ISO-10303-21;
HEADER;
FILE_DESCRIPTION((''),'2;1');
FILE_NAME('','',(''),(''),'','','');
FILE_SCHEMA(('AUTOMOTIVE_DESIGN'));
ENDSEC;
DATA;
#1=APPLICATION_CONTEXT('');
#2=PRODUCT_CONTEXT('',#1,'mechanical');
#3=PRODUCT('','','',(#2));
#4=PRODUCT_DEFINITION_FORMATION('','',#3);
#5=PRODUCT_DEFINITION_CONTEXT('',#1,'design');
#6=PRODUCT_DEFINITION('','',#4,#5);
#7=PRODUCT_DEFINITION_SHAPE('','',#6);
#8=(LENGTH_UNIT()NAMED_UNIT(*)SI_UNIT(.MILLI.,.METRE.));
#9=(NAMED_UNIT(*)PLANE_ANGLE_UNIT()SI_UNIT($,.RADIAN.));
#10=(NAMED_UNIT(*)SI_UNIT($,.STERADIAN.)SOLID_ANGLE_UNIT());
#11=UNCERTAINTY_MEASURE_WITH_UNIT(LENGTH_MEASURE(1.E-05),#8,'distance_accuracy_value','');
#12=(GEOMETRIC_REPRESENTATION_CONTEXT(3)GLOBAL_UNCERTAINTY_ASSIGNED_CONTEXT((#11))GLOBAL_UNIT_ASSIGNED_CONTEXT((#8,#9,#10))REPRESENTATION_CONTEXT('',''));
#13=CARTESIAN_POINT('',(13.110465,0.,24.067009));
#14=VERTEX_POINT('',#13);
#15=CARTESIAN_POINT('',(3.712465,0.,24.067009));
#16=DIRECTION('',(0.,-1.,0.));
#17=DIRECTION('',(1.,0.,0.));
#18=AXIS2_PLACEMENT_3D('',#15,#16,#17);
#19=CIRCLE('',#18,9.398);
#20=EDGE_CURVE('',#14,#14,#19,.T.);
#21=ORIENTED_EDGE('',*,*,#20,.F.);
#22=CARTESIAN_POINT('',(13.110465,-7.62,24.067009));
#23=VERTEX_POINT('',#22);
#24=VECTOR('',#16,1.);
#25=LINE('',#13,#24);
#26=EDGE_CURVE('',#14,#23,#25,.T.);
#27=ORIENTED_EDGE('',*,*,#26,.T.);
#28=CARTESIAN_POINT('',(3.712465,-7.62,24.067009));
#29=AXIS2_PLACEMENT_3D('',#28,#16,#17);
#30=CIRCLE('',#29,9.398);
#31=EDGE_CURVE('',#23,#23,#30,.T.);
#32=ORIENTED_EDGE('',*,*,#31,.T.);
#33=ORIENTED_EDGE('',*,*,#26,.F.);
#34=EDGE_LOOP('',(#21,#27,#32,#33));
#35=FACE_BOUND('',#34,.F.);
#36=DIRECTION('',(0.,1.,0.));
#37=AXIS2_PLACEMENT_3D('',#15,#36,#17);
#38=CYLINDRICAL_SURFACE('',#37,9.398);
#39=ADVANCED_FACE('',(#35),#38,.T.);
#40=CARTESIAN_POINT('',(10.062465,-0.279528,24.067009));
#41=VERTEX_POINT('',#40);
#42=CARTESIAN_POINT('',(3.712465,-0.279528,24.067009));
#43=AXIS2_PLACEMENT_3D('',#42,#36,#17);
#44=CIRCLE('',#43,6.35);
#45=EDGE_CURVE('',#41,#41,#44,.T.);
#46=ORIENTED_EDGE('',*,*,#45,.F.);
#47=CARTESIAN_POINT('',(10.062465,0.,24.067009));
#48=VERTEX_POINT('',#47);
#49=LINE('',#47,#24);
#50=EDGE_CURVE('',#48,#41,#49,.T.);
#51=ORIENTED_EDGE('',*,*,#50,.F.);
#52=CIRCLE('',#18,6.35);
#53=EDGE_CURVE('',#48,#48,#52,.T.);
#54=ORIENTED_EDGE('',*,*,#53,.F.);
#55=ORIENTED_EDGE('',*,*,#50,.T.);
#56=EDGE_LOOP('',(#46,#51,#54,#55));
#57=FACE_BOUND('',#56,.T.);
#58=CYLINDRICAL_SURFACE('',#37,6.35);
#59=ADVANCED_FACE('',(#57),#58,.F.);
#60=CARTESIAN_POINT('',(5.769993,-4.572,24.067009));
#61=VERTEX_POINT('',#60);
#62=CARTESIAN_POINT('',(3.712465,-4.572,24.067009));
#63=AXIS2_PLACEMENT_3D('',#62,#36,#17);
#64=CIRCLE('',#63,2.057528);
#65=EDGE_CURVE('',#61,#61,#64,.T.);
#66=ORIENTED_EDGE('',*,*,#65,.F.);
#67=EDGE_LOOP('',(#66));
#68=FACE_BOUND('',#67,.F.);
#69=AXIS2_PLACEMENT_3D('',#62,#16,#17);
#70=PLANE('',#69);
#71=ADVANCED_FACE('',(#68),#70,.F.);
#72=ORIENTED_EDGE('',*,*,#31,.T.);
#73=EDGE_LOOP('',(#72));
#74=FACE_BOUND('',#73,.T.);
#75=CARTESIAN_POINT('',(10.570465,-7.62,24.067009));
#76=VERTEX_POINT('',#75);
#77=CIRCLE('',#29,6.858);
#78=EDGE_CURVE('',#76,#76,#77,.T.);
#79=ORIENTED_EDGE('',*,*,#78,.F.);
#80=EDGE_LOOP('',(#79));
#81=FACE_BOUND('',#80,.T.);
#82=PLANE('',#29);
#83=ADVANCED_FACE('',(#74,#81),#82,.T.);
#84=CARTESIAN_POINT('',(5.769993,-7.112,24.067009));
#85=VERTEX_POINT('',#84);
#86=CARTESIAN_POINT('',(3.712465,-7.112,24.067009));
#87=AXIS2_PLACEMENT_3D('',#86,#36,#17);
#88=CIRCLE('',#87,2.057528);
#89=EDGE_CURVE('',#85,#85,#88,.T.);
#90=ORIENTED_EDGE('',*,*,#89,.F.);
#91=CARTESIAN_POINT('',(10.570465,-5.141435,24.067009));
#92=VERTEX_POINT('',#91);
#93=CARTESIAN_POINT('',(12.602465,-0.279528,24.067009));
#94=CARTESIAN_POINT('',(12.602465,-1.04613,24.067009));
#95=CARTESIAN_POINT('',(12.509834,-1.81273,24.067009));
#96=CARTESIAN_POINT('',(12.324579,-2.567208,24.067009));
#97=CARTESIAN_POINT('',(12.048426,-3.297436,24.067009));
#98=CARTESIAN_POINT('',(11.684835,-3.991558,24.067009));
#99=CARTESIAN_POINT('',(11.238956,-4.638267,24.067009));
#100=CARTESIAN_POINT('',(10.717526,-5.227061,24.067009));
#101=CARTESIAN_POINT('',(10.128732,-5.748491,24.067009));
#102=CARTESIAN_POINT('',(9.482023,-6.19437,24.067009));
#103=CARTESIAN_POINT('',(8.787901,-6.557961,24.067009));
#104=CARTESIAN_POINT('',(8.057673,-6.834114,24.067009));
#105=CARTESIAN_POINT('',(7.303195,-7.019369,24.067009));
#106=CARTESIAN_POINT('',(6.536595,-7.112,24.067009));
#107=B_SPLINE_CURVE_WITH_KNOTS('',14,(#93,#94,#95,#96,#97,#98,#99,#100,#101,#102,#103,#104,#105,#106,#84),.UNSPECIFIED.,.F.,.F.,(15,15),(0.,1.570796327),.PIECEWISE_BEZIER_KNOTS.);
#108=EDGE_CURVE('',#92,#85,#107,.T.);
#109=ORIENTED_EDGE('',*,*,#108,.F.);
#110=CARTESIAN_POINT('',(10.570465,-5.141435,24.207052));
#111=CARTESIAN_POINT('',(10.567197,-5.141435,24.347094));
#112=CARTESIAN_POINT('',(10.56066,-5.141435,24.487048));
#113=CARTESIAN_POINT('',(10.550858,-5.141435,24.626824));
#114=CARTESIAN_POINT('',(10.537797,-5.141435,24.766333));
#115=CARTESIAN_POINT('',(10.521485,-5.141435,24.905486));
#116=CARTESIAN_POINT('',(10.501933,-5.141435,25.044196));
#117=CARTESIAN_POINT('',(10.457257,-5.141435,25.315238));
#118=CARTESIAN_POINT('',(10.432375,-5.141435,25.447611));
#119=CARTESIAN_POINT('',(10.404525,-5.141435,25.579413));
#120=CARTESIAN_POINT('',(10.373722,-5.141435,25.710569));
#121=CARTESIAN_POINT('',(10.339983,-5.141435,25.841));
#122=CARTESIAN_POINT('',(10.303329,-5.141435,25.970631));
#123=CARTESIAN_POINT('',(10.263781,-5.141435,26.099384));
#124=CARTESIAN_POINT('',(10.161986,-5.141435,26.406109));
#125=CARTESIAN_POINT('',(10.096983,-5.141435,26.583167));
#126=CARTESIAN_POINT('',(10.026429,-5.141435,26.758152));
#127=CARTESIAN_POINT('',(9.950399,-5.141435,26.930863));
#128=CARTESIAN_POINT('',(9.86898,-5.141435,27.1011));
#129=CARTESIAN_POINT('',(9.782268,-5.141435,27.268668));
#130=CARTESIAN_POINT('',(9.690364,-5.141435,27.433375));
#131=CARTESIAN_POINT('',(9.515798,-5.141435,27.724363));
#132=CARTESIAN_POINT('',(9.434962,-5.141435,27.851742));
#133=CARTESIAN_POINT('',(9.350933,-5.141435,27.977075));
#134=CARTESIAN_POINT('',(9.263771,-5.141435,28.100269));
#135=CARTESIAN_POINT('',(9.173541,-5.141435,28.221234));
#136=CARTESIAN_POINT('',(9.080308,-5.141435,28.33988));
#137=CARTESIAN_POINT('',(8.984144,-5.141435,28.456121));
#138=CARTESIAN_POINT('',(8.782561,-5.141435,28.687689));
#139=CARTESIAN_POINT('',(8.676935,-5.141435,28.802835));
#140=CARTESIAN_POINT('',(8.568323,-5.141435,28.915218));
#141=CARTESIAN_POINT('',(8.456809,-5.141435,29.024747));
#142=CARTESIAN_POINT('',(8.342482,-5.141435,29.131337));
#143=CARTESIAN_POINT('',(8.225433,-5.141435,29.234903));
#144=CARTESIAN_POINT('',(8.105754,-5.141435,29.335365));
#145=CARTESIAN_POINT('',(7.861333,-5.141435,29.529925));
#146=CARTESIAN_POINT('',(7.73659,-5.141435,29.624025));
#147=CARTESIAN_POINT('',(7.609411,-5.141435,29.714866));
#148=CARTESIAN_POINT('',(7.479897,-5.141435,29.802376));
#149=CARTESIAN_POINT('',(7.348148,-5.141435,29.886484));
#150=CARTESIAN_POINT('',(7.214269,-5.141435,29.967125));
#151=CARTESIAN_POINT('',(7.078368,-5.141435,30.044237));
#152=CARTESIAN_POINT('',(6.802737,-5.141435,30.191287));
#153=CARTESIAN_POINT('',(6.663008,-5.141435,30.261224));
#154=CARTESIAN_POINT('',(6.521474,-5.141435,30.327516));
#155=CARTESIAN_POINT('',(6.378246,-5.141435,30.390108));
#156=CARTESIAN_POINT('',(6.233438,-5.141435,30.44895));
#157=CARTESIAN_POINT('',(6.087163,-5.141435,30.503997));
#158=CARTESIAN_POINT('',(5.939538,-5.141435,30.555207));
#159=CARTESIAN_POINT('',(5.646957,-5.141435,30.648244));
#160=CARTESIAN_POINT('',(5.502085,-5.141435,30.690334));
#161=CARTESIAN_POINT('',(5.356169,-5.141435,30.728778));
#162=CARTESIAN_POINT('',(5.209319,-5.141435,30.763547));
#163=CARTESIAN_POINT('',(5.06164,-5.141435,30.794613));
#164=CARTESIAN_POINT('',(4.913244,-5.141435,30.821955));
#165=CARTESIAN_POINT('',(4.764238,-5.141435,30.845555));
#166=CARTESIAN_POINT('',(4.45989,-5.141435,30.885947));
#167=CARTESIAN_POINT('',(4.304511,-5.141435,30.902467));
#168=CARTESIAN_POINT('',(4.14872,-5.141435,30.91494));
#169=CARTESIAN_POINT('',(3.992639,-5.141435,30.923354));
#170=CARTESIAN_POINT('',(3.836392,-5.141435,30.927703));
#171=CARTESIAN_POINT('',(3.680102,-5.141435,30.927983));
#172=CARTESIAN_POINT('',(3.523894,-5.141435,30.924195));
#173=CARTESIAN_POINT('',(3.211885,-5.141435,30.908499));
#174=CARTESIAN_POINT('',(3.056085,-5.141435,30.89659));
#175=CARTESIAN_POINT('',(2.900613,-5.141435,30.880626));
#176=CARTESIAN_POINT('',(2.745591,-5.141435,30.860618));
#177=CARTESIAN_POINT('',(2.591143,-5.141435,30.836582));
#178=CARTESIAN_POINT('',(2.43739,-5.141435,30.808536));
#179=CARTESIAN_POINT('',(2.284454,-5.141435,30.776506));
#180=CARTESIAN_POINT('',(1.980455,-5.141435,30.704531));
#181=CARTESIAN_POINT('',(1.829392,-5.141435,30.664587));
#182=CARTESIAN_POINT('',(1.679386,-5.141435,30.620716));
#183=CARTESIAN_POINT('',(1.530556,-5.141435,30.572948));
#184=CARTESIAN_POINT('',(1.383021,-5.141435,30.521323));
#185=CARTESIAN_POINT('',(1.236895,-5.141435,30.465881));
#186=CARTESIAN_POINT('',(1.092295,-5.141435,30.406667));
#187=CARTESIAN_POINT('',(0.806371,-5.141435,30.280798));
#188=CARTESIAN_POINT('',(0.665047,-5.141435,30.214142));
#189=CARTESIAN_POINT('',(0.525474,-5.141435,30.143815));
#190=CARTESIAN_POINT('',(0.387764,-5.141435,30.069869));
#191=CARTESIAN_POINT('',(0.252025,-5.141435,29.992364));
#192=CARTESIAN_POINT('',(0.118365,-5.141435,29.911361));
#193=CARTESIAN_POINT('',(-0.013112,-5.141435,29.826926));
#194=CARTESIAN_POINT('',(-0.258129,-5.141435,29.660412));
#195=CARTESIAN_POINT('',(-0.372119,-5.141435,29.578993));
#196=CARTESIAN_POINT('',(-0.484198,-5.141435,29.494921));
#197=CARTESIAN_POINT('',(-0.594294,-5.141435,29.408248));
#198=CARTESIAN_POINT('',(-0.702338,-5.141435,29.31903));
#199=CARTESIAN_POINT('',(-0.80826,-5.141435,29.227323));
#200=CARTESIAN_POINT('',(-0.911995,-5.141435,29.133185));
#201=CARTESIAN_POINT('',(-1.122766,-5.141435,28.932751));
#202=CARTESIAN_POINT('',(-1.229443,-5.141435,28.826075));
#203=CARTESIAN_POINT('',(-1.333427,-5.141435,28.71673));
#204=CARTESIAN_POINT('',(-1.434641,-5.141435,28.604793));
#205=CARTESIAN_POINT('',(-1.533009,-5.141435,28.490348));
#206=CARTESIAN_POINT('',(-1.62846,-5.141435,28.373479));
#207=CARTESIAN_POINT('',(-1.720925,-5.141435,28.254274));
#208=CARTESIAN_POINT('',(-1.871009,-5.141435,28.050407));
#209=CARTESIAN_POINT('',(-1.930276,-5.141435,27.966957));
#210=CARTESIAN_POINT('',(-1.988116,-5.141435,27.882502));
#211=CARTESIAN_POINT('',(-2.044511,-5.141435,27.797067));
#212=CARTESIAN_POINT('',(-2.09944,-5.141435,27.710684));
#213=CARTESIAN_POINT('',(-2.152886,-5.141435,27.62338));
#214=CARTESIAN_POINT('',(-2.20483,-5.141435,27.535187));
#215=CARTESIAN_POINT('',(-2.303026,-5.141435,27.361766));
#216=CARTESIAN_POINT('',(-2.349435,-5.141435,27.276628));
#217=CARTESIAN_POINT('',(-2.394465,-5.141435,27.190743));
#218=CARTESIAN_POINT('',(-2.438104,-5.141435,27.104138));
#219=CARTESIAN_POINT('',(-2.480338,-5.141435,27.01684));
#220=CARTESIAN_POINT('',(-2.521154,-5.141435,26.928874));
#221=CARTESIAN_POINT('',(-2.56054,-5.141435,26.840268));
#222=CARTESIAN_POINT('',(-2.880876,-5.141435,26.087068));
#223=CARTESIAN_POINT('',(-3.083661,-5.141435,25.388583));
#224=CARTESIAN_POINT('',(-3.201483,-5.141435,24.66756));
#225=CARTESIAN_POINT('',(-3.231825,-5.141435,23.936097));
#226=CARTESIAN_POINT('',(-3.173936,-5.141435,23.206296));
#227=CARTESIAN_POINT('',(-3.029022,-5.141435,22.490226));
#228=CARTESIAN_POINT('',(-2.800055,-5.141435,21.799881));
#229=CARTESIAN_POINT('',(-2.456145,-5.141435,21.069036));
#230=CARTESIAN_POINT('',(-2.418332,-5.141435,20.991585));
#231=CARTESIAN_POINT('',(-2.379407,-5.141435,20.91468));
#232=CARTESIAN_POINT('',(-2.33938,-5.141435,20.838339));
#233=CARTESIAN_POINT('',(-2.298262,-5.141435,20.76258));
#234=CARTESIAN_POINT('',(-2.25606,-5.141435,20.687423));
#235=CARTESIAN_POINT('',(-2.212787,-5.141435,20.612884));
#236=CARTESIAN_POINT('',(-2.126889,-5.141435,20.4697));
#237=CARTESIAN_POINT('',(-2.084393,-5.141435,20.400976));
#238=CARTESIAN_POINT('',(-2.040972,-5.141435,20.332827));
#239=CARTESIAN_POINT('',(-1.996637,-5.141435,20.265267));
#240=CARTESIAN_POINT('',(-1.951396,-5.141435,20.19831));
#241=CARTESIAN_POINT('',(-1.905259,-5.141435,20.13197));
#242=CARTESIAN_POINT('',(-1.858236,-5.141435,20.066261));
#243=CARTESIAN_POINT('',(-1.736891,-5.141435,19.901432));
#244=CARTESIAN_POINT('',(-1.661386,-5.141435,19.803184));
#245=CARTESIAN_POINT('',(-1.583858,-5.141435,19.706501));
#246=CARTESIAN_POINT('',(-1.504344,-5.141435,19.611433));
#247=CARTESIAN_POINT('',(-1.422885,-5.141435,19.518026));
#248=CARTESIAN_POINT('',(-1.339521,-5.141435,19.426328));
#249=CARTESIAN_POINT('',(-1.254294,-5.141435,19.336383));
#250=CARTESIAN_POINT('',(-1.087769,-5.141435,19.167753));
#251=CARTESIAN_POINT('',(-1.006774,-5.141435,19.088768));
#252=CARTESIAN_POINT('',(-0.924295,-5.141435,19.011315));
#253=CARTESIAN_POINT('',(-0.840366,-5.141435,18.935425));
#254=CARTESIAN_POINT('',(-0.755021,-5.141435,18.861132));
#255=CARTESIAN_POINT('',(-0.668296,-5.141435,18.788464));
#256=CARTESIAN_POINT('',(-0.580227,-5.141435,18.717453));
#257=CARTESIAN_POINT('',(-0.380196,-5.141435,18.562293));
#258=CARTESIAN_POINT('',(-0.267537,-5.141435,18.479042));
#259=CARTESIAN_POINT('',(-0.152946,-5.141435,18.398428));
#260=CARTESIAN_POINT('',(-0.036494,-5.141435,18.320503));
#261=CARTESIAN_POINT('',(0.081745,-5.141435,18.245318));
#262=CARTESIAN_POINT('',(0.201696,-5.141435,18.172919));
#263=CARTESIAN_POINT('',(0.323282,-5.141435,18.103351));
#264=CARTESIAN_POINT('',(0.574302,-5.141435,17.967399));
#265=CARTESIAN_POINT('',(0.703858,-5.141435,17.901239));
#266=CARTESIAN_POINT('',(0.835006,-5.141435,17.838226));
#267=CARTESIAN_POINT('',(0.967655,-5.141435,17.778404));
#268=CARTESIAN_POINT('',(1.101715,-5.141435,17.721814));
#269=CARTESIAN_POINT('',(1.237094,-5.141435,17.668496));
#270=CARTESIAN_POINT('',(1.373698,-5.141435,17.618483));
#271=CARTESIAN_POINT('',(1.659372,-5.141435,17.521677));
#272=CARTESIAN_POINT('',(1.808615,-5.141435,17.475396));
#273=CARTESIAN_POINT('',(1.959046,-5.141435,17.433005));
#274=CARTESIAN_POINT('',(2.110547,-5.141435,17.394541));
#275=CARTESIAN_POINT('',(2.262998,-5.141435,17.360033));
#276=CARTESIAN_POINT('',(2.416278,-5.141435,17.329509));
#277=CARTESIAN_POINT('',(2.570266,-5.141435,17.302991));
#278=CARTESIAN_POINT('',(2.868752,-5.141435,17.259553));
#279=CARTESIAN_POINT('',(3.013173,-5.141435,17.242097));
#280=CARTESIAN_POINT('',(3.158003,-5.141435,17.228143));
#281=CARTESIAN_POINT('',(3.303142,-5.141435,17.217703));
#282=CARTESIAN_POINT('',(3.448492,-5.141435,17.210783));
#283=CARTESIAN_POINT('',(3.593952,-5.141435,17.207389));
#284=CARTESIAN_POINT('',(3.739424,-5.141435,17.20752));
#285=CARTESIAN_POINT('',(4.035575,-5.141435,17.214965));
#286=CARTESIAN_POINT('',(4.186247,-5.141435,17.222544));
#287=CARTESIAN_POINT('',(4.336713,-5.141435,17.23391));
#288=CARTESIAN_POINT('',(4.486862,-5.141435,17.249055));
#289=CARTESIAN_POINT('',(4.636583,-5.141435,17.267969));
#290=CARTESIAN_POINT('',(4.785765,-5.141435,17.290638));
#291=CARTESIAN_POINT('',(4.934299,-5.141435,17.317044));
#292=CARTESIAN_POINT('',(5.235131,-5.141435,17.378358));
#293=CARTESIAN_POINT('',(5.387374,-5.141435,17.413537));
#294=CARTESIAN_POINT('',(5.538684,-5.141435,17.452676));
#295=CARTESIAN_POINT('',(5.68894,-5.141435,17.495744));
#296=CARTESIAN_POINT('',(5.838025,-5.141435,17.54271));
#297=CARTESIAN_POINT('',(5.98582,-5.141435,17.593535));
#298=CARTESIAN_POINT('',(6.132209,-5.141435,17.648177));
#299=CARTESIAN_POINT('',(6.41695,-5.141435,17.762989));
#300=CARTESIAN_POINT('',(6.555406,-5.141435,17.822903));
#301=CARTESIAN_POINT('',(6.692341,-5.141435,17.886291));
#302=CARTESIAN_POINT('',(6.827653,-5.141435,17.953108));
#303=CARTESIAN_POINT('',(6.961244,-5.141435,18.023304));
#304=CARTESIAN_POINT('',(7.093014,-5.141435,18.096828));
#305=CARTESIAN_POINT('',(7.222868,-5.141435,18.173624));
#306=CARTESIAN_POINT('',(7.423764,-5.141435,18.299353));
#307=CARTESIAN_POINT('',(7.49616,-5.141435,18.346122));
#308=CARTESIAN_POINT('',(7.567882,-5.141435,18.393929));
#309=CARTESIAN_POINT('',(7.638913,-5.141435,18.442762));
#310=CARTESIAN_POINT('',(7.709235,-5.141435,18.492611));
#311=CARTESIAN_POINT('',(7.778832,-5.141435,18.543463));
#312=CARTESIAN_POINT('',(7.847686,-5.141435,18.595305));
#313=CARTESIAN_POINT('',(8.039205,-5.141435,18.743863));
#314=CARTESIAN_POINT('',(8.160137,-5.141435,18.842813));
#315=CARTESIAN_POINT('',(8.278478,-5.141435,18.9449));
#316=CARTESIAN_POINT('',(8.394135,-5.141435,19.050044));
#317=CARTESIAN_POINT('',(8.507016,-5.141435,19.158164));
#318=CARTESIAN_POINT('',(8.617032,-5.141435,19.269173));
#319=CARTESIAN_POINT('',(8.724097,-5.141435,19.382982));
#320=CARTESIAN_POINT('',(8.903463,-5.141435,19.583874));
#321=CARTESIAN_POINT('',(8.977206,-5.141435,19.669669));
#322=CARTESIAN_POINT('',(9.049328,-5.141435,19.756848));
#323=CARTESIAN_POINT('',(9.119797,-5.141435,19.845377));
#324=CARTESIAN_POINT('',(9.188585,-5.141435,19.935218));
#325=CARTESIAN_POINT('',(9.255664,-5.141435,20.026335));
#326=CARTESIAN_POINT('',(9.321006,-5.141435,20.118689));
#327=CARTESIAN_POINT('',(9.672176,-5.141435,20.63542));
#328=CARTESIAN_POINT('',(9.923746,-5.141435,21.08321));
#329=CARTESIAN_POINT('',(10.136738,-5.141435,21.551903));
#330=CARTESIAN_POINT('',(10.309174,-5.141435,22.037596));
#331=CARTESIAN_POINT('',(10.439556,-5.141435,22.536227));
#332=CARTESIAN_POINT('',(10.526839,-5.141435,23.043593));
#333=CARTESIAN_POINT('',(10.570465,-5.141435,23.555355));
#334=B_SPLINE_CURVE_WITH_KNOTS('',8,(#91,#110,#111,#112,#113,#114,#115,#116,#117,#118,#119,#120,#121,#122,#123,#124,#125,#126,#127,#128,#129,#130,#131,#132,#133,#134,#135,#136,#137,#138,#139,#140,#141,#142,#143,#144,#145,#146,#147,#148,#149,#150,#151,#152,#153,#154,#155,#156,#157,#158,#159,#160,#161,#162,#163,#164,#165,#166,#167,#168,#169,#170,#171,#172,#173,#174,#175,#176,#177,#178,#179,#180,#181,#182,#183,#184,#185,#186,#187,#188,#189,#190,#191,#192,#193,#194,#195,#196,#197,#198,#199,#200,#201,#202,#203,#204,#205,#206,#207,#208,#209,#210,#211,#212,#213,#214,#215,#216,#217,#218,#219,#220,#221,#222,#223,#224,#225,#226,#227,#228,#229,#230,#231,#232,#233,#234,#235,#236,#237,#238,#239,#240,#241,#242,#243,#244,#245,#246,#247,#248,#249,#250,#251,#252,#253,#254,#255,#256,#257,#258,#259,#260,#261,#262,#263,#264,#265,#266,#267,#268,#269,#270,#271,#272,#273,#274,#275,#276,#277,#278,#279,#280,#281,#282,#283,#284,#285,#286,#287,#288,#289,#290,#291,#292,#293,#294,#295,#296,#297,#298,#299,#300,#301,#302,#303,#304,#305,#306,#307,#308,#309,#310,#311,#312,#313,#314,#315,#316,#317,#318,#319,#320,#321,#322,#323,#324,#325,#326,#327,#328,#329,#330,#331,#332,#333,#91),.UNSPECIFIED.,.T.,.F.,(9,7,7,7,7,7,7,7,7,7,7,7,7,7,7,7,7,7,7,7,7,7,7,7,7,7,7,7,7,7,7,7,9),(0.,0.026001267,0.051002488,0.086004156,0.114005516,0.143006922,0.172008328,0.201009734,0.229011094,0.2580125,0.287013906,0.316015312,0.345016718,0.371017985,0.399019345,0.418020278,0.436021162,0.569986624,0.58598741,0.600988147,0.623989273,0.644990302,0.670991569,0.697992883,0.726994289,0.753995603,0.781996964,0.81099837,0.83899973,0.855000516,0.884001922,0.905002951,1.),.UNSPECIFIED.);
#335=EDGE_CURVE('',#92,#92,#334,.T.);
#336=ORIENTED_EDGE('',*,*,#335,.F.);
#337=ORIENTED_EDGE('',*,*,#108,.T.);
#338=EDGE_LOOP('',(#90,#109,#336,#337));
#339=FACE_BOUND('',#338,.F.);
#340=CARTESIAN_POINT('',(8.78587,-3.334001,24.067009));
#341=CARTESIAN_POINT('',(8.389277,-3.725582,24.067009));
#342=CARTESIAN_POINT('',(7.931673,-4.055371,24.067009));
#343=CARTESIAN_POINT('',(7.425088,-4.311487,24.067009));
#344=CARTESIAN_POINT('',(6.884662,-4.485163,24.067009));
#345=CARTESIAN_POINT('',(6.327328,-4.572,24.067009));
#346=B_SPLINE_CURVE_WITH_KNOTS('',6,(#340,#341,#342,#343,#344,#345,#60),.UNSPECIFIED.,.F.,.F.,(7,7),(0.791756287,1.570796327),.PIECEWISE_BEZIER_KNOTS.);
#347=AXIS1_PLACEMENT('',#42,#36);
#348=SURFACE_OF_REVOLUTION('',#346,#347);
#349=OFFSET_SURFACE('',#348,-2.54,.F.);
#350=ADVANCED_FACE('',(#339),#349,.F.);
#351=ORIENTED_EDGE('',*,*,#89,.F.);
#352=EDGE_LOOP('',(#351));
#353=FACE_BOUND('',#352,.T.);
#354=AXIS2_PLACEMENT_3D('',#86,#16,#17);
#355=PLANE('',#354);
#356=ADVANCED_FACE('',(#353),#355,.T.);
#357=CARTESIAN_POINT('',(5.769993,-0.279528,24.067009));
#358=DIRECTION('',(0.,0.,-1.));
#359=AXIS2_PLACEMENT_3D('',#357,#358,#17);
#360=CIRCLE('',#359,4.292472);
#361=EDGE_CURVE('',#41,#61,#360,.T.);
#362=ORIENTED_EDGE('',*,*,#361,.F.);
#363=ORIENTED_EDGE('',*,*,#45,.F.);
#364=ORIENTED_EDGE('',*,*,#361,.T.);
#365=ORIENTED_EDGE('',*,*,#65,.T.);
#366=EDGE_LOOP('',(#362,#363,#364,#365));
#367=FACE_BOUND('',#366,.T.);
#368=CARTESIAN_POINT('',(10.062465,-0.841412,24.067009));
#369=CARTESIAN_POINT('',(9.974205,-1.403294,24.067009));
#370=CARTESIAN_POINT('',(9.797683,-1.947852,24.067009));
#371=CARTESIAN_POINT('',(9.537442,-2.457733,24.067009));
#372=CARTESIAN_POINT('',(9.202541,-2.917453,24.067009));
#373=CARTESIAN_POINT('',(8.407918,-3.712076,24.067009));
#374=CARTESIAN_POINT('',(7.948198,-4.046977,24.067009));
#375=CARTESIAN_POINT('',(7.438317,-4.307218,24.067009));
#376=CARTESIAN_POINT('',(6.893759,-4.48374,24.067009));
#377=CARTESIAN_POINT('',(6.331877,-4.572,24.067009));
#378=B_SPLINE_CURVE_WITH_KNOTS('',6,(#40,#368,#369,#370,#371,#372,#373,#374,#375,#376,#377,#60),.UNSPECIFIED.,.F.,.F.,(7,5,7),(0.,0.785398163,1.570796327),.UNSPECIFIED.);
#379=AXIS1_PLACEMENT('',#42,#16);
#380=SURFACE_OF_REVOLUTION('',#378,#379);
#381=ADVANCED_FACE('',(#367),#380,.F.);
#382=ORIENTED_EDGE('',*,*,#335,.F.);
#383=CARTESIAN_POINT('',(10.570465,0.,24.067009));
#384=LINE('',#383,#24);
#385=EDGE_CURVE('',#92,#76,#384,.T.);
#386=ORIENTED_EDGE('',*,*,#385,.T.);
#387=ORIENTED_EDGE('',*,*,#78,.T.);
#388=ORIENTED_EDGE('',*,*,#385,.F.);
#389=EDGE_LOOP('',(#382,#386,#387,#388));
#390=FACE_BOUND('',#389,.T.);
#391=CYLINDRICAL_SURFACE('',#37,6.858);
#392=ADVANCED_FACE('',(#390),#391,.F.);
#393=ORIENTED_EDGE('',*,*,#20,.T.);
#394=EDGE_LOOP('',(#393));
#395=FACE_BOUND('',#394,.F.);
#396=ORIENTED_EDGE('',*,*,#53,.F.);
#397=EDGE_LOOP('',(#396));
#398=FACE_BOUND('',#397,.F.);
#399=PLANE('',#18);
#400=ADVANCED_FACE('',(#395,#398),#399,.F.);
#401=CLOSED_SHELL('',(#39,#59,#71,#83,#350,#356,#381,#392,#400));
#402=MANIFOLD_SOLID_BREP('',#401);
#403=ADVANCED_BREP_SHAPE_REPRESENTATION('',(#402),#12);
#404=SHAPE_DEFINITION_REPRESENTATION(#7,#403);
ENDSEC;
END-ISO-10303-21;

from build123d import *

# Parameters (mm, degrees)
F0_R     = 9.398
F1_DEPTH = 7.62
F2_T     = -3.048
F3_R     = 4.2924717139
F4_T     = -2.54


with BuildPart() as f1:
    # F0 (on Front) → F1 (new body)
    with BuildSketch(Plane.XZ):
        with Locations((3.7124650553, 24.0670088679)):
            Circle(F0_R)
    extrude(amount=F1_DEPTH)

    # F2
    f2_openings = [f1.faces().sort_by_distance(p)[0] for p in [
        (3.712465, 0, 24.067009),
    ]]
    offset(amount=F2_T, openings=f2_openings)

    # F3
    f3_edges = [f1.edges().sort_by_distance(p)[0] for p in [
        (-2.637535, -4.572, 24.067009),
    ]]
    fillet(f3_edges, radius=F3_R)

    # F4
    f4_openings = [f1.faces().sort_by_distance(p)[0] for p in [
        (3.712465, -7.62, 24.067009),
    ]]
    offset(amount=F4_T, openings=f4_openings)


solid = f1.part
